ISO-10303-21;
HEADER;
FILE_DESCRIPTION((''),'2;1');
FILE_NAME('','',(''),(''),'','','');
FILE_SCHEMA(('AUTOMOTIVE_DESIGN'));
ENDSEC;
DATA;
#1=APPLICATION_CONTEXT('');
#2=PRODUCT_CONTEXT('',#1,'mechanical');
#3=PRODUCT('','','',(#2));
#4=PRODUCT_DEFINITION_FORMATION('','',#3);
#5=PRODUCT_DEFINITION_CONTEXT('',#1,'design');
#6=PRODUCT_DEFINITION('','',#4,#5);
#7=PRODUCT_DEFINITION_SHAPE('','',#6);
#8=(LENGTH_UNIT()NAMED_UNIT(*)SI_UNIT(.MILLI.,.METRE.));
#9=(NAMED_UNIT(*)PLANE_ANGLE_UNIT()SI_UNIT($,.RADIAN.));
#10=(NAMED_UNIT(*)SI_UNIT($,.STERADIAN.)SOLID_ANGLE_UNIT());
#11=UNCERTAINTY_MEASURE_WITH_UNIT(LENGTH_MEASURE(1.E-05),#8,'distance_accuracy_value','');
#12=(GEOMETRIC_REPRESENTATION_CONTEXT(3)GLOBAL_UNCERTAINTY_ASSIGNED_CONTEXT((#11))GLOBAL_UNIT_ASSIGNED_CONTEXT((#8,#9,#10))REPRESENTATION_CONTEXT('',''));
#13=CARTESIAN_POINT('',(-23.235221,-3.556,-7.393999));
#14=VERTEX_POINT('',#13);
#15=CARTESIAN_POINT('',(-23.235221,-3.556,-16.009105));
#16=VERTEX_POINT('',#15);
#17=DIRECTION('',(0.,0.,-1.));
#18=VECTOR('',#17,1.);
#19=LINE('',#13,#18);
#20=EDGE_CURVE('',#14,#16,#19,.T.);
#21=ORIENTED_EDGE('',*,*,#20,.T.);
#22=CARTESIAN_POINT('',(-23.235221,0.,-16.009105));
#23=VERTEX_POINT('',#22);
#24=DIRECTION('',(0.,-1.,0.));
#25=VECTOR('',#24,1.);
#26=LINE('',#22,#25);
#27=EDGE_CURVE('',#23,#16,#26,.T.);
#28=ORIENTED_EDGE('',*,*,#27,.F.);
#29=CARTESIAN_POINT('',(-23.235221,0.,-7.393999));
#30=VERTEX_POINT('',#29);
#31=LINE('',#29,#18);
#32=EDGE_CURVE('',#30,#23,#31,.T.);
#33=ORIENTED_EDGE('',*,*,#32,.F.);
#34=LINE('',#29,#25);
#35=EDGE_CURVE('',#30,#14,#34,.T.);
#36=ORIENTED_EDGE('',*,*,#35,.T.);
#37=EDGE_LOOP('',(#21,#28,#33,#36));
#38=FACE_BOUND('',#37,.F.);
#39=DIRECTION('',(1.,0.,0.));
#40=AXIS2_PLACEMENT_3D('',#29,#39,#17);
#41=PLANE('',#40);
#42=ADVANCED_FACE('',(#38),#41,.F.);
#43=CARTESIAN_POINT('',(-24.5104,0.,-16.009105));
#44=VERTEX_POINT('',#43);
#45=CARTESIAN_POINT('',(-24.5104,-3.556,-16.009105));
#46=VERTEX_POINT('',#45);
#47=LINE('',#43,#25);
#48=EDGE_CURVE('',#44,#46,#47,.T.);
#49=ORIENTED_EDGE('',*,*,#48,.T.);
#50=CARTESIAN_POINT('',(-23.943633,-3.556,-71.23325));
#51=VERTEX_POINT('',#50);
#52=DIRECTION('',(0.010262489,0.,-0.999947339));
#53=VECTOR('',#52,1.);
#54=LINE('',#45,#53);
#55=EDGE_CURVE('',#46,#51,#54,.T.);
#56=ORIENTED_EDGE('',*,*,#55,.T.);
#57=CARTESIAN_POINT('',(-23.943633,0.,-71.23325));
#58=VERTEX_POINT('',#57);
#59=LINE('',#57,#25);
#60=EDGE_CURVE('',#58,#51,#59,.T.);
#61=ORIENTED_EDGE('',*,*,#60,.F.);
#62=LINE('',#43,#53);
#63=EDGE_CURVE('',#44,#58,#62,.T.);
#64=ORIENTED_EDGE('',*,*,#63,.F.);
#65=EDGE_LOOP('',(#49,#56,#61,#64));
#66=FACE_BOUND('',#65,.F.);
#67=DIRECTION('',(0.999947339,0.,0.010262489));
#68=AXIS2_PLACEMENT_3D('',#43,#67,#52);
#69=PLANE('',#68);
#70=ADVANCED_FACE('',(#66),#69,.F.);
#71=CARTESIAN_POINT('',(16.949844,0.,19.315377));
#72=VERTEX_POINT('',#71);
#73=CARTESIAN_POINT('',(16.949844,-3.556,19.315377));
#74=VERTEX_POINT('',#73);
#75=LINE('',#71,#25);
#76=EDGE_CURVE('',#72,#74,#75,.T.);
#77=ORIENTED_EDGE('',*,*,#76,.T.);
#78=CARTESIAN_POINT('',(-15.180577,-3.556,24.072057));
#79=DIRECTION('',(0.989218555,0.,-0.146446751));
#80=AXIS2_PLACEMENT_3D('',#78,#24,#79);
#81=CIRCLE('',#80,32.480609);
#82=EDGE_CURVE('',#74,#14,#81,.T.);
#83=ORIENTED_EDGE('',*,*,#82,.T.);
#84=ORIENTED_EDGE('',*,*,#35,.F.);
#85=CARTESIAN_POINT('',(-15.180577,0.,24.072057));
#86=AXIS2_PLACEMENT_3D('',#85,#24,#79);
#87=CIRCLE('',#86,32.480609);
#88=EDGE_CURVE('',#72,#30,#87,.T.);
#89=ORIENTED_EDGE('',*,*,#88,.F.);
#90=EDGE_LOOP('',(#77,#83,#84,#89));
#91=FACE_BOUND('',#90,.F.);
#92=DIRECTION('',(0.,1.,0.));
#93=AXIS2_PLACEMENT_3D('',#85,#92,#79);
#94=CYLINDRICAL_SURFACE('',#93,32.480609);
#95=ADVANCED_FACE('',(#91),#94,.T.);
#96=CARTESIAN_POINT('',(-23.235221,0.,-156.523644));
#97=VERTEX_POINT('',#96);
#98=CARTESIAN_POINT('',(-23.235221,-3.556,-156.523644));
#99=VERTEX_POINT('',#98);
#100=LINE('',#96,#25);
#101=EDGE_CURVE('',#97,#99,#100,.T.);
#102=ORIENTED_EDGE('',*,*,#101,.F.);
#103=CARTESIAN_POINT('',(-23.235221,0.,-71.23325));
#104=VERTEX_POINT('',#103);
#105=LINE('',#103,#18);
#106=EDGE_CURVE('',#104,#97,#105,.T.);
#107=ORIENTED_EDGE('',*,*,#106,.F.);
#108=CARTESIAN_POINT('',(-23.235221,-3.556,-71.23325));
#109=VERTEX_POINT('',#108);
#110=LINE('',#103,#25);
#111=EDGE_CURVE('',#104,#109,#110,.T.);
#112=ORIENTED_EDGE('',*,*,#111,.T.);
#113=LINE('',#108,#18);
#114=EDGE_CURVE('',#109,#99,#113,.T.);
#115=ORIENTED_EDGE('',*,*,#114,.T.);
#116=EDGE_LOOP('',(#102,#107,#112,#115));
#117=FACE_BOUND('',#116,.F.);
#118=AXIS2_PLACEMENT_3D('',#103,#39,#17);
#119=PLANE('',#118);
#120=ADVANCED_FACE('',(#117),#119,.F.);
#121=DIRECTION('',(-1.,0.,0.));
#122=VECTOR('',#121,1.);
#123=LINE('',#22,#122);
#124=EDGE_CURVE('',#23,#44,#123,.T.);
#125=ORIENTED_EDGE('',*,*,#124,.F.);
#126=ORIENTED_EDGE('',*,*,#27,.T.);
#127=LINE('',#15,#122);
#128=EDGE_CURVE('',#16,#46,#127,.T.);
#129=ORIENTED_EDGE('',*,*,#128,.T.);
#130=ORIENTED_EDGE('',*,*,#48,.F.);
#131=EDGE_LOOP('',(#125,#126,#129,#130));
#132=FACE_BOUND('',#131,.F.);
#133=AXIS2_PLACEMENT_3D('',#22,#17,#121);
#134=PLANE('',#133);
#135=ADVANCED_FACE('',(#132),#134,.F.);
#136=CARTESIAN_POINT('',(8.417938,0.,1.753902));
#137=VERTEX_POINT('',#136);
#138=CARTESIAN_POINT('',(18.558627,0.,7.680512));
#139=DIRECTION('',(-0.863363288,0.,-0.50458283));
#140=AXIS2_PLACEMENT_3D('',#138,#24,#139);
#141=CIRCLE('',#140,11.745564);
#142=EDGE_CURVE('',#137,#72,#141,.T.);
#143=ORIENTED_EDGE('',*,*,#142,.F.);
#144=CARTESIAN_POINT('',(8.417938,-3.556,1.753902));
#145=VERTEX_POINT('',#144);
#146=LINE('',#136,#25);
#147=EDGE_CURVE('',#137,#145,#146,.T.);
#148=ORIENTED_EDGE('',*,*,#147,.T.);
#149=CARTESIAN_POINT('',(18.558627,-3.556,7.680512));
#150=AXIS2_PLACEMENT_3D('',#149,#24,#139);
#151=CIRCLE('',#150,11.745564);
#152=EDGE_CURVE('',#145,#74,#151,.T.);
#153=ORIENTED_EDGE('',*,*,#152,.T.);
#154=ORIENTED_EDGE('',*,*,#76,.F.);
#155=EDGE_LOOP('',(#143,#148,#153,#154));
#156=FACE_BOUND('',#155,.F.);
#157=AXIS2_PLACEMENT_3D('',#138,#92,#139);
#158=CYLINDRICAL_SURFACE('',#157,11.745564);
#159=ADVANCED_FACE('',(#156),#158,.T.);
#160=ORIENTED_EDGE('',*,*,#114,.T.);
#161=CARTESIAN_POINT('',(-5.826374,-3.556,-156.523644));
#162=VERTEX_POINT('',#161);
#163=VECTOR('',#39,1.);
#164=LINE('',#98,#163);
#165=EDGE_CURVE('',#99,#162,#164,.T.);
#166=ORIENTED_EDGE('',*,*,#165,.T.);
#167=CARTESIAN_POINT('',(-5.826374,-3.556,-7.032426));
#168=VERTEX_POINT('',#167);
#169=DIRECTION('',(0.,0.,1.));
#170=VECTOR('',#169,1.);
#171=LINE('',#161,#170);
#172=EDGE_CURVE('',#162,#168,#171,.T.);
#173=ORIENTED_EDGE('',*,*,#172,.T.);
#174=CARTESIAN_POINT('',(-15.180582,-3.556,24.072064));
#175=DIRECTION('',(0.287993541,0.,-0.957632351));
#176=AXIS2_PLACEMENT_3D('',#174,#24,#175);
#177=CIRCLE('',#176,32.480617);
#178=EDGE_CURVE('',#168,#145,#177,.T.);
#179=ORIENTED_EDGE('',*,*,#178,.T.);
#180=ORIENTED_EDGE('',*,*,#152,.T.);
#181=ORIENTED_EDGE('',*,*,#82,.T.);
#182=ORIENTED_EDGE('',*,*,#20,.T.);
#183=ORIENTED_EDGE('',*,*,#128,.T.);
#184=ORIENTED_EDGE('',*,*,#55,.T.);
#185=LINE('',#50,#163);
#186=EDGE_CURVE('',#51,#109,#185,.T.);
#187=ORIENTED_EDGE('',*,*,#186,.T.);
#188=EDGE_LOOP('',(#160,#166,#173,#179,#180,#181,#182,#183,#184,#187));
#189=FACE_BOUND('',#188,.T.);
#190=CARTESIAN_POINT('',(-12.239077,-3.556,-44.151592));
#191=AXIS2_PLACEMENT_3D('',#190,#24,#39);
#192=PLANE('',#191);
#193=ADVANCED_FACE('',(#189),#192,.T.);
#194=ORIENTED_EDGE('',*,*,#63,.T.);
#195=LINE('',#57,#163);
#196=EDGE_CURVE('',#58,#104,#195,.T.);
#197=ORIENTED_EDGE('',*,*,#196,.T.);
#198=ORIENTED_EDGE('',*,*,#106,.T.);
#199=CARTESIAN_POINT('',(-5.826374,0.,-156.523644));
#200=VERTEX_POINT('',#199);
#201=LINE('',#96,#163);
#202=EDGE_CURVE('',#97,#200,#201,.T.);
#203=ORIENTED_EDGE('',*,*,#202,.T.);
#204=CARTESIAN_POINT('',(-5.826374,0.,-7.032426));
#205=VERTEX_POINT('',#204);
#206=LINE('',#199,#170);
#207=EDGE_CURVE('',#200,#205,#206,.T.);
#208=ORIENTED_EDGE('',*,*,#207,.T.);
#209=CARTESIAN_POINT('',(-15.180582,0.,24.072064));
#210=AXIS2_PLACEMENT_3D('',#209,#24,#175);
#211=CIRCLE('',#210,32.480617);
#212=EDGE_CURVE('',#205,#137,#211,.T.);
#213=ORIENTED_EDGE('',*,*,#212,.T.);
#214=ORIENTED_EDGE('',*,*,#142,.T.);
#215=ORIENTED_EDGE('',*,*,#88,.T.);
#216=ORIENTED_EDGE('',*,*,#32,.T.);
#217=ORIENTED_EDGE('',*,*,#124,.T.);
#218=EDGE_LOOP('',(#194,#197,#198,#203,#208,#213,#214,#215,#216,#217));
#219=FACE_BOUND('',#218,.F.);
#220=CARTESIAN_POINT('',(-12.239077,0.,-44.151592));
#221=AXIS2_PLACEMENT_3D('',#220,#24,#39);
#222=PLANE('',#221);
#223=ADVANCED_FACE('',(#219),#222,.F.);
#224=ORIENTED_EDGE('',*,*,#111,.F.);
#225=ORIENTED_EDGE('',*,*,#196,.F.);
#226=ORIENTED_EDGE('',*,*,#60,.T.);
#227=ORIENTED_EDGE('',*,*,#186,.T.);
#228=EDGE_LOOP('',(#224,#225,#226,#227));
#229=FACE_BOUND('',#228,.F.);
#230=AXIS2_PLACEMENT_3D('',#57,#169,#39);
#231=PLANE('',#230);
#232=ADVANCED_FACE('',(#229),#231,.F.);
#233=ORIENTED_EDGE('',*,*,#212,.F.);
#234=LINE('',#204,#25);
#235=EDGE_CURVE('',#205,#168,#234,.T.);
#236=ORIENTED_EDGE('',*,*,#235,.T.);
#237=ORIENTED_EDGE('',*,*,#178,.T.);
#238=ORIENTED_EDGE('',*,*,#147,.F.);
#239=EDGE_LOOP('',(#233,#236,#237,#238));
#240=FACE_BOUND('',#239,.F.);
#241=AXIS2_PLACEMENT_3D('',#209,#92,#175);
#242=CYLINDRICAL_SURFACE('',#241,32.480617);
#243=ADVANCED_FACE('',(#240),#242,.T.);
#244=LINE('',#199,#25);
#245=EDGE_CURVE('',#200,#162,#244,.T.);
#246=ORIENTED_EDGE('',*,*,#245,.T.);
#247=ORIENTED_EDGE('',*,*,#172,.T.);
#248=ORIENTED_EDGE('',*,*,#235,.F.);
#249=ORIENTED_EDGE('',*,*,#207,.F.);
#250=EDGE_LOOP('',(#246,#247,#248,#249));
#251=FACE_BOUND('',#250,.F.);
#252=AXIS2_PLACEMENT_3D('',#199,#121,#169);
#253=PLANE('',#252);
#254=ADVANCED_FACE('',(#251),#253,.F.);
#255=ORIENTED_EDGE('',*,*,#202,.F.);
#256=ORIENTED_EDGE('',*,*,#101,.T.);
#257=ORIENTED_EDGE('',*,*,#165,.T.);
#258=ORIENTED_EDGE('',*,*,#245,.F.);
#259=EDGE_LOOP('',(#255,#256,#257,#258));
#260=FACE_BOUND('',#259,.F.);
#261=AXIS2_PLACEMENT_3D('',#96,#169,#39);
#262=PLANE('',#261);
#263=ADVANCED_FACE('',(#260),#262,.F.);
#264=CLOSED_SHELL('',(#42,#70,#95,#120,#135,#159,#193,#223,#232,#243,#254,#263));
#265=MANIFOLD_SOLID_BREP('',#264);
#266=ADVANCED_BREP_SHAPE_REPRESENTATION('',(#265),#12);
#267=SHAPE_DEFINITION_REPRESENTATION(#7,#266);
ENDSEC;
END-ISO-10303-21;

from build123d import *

# Parameters (mm, degrees)
F1_DEPTH = 3.556


with BuildPart() as f1:
    # F0 (on Front) → F1 (new body)
    with BuildSketch(Plane.XZ):
        with BuildLine():
            Line((-5.826374, -156.523644), (-5.826374, -7.032426))
            ThreePointArc((-5.826374, -7.032426), (1.871411, -3.572466), (8.417938, 1.753902))
            ThreePointArc((8.417938, 1.753902), (29.123373, 2.547832), (16.949844, 19.315377))
            ThreePointArc((16.949844, 19.315377), (-33.159966, 51.122593), (-23.235221, -7.393999))
            Line((-23.235221, -7.393999), (-23.235221, -16.009105))
            Line((-23.235221, -16.009105), (-24.5104, -16.009105))
            Line((-24.5104, -16.009105), (-23.943633, -71.23325))
            Line((-23.943633, -71.23325), (-23.235221, -71.23325))
            Line((-23.235221, -71.23325), (-23.235221, -140.258765))
            Line((-23.235221, -140.258765), (-23.235221, -156.523644))
            Line((-23.235221, -156.523644), (-5.826374, -156.523644))
        make_face()
    extrude(amount=F1_DEPTH)


solid = f1.part
